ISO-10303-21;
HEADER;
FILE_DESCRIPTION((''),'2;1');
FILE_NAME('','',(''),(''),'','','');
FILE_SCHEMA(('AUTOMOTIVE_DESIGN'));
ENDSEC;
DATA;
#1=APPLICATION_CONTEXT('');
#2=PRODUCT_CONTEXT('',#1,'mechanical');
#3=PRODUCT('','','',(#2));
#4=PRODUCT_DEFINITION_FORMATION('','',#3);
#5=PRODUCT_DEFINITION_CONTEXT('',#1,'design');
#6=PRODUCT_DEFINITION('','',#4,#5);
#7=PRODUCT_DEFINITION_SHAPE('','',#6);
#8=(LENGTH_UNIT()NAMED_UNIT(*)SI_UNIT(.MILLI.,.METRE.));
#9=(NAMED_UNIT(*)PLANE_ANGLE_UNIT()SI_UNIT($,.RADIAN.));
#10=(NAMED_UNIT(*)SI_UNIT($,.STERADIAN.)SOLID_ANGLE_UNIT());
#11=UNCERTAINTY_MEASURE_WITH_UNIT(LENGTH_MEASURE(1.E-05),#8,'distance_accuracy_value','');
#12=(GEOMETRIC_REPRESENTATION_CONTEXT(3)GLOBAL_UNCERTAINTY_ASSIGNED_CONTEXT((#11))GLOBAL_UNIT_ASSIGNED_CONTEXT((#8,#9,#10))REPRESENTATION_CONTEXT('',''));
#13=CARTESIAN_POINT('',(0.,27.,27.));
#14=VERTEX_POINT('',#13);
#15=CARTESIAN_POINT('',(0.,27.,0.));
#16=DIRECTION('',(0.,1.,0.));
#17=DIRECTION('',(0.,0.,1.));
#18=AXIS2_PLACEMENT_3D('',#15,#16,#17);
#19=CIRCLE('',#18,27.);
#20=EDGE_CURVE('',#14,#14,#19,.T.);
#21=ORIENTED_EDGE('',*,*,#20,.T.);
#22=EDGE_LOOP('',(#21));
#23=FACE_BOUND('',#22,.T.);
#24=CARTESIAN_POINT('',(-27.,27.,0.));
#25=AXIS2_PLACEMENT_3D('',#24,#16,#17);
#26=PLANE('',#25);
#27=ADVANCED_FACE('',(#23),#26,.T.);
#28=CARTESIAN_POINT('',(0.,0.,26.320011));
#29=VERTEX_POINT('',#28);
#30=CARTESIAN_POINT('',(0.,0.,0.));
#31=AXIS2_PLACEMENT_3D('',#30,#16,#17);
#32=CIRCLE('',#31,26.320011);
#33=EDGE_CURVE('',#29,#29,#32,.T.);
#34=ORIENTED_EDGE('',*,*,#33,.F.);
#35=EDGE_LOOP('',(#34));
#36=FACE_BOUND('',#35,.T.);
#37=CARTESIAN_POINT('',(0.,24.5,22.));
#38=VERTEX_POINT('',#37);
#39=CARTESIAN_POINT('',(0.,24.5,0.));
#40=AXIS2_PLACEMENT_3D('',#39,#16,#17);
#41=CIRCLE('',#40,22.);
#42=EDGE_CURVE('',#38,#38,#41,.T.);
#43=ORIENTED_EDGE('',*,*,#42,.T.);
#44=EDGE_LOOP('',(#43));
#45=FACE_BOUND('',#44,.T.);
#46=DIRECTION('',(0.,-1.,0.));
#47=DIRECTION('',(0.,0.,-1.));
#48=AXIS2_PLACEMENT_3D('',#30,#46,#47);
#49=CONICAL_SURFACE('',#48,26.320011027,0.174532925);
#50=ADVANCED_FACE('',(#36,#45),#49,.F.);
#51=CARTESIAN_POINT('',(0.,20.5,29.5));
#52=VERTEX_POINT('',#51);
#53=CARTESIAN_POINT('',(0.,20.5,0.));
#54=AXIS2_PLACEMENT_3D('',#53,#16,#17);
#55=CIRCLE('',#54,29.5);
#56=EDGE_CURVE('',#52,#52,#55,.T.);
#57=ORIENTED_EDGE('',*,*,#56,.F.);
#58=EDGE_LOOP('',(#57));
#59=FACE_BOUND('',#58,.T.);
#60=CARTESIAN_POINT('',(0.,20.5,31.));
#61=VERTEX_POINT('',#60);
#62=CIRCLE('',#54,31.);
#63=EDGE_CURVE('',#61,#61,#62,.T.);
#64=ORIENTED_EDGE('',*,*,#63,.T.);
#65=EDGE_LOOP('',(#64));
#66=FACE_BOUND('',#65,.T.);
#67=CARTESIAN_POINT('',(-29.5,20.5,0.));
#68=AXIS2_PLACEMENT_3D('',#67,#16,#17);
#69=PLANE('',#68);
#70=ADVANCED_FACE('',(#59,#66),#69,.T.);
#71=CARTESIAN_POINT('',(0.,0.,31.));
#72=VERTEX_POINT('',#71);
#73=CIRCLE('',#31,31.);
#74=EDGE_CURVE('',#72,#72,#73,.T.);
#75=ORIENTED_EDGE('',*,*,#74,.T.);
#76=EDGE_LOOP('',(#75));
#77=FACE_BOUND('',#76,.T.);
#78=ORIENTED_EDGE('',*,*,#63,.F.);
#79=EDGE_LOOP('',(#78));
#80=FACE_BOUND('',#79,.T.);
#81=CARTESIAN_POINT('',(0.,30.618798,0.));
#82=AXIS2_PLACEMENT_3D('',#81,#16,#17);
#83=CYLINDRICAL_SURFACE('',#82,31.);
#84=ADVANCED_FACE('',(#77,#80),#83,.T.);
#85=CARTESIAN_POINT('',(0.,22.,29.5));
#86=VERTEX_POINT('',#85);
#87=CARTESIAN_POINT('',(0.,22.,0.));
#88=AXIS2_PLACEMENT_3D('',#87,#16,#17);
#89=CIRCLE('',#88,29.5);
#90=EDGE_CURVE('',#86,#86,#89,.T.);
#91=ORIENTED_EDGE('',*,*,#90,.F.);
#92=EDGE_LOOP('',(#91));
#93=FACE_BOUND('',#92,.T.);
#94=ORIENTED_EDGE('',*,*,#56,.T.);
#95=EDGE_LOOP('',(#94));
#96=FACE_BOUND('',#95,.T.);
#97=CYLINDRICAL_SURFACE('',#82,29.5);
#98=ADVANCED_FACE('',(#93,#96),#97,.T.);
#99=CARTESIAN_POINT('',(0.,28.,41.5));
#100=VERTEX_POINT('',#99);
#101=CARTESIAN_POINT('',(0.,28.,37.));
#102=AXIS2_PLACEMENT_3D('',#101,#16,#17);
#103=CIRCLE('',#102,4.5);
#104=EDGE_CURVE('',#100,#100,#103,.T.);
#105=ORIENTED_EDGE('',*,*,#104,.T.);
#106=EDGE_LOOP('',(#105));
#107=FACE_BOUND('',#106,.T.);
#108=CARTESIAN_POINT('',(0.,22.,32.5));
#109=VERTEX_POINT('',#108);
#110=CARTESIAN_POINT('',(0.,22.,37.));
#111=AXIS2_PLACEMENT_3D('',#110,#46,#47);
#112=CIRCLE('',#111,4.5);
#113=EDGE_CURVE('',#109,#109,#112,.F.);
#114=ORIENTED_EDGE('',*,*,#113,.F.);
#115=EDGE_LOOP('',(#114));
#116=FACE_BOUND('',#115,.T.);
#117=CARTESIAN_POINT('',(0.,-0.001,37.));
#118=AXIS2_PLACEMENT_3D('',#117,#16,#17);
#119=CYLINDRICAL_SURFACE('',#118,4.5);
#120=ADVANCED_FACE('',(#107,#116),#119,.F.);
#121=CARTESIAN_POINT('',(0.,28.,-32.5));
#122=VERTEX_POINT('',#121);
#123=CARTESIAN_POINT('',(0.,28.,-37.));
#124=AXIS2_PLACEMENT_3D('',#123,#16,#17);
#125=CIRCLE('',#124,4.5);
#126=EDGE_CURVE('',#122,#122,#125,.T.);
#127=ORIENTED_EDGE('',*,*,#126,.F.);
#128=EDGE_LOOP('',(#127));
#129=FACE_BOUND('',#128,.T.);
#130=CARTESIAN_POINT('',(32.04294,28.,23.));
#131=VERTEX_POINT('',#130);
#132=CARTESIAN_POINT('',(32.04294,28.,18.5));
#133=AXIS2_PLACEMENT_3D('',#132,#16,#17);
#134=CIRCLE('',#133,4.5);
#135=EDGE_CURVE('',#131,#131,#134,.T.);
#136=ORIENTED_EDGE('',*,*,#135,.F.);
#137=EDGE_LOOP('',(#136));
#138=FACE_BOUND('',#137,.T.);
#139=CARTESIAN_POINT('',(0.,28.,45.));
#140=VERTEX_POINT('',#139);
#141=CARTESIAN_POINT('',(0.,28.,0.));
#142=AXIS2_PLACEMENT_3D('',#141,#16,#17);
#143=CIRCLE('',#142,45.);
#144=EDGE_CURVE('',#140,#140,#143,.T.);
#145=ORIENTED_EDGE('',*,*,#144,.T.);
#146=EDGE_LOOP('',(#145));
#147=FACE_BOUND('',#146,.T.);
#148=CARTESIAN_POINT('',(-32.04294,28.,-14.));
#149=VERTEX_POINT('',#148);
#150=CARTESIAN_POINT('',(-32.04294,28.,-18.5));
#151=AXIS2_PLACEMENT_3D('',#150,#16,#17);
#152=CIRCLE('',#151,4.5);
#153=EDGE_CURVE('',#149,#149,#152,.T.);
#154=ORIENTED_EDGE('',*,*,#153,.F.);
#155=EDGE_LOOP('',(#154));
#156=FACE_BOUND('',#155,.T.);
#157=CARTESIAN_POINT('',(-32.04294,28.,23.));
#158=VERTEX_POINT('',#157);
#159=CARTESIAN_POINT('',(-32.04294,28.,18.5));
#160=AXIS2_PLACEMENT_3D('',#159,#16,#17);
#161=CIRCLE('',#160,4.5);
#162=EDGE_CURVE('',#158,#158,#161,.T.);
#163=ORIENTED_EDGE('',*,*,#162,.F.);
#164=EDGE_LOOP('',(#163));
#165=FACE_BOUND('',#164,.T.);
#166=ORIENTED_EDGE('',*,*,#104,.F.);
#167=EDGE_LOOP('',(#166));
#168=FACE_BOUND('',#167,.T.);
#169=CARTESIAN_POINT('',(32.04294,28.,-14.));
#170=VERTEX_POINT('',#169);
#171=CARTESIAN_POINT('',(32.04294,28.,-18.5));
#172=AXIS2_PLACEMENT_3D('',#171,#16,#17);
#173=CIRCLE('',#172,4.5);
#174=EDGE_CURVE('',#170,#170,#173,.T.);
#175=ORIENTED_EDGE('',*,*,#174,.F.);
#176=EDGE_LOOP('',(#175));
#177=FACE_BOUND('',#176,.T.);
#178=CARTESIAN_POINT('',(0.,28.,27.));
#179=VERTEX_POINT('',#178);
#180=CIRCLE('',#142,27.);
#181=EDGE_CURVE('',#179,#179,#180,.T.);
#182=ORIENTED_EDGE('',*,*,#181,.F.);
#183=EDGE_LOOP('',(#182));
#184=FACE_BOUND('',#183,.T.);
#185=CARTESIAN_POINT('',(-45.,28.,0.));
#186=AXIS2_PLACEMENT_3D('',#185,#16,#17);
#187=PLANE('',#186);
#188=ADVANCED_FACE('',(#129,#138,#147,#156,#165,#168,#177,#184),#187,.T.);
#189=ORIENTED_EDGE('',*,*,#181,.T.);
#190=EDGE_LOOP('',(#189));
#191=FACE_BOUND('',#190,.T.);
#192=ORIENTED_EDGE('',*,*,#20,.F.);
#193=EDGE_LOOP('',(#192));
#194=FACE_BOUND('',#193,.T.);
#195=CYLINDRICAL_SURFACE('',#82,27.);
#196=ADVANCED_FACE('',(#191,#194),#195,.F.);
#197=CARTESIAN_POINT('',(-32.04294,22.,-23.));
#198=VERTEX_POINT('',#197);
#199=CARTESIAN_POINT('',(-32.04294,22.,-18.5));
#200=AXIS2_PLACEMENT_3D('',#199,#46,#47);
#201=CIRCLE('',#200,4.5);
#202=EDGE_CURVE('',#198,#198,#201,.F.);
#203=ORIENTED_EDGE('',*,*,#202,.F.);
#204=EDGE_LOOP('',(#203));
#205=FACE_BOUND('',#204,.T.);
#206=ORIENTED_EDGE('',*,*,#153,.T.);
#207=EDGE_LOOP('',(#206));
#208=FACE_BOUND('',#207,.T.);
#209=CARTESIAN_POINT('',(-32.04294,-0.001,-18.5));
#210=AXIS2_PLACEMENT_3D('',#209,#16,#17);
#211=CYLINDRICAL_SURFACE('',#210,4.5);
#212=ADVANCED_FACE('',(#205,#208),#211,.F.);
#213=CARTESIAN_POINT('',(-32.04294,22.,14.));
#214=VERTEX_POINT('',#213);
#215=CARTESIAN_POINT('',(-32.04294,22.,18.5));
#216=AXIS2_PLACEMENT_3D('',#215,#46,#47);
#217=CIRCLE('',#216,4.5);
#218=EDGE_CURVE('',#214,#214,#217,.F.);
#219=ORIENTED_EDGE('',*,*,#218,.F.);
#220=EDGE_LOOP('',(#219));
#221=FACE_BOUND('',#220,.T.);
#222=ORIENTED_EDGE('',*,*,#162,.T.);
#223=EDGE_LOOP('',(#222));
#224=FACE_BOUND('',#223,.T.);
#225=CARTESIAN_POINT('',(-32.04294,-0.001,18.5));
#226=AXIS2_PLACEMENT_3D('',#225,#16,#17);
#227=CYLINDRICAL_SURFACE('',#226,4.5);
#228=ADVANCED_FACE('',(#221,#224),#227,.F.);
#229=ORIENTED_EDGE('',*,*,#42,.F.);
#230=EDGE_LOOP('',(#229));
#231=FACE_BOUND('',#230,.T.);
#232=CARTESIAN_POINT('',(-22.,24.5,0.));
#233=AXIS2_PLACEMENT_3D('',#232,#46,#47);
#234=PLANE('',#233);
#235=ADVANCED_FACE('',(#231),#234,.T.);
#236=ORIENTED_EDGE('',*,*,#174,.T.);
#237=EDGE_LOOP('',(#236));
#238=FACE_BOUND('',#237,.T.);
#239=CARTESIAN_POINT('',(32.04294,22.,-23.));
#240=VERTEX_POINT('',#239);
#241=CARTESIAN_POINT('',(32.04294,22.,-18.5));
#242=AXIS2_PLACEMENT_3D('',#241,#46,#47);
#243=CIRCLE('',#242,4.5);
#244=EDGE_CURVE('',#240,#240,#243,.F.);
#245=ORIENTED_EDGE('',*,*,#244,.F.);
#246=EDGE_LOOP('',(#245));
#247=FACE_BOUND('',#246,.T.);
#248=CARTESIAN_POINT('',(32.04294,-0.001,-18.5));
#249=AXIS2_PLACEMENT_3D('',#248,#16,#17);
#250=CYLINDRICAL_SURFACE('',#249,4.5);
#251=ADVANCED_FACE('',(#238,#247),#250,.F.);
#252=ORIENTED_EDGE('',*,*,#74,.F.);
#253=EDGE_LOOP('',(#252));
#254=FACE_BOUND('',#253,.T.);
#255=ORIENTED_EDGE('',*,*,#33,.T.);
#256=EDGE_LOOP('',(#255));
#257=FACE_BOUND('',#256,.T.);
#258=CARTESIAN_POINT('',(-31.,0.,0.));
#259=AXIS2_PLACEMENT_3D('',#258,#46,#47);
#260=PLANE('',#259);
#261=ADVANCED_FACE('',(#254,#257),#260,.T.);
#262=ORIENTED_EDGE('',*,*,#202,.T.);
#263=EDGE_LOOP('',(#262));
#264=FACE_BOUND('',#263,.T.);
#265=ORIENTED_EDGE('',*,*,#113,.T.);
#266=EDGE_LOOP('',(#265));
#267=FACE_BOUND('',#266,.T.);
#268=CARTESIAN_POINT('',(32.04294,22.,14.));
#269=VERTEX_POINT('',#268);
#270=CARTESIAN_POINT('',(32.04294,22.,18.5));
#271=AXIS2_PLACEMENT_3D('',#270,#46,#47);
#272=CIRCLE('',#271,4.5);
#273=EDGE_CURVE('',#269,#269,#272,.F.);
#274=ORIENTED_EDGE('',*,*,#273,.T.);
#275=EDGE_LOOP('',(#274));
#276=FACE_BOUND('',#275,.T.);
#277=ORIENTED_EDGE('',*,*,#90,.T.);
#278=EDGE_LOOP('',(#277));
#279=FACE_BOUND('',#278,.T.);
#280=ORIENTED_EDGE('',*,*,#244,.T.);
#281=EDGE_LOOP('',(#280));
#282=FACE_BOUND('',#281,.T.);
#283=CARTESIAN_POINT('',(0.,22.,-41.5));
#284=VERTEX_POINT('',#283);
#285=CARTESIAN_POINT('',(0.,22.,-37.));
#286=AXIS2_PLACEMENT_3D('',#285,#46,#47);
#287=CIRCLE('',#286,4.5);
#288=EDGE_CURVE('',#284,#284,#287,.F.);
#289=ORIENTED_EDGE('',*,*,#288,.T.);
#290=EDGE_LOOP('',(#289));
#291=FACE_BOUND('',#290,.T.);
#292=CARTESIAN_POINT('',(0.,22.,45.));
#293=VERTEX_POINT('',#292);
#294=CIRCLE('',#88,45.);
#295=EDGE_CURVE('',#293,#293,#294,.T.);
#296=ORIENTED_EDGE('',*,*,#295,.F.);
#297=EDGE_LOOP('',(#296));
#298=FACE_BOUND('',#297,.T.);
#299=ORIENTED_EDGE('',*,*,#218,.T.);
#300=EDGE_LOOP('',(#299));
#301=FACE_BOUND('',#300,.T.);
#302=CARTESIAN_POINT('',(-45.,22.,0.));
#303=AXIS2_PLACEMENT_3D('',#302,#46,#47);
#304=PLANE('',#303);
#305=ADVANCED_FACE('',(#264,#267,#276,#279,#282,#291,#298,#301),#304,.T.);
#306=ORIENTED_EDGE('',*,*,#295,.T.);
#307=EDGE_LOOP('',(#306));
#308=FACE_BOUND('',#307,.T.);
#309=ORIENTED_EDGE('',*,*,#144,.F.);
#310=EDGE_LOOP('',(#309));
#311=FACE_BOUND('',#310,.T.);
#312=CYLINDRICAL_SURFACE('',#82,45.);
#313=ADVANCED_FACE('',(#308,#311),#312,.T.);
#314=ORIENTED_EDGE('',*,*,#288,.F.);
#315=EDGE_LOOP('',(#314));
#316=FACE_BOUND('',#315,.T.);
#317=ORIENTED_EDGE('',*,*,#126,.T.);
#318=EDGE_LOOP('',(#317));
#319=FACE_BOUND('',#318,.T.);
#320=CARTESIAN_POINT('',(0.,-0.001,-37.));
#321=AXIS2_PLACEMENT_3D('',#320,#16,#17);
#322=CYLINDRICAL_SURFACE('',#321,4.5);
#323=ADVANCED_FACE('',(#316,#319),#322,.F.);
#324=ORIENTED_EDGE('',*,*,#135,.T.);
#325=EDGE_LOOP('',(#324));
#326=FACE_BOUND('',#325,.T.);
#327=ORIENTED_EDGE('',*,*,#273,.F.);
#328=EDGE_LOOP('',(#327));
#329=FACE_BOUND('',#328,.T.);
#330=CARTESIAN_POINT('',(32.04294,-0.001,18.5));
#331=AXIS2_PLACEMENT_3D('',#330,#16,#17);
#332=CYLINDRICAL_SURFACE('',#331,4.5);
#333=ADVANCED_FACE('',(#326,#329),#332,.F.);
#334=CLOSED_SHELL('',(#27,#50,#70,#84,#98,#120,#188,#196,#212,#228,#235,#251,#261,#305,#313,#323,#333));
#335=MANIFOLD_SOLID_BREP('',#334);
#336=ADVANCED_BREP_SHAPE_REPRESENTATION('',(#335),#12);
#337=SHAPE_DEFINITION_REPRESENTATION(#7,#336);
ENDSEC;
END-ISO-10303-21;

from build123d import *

# Parameters (mm, degrees)
CUT_EXTRUDE1_REACH = 71.527
SKETCH2_R          = 4.5


with BuildPart() as part:
    # Sketch1 → Revolve1 (revolve)
    with BuildSketch(Plane.XY, mode=Mode.PRIVATE) as revolve1_sk:
        Polygon((-45, 28), (-45, 22), (-29.5, 22), (-29.5, 20.5), (-31, 20.5), (-31, 0), (-26.320011027, 0), (-22, 24.5), (0, 24.5), (0, 27), (-27, 27), (-27, 28), align=None)
    revolve(revolve1_sk.sketch.rotate(Axis((0, 30.618797564, 0), (0, -1, 0)), 270), axis=Axis((0, 30.618797564, 0), (0, -1, 0)))

    # Sketch2 → Cut-Extrude1 (cut, up to next)
    with BuildSketch(Plane(origin=(0, 28, 0), x_dir=(1, 0, 0), z_dir=(0, 1, 0)), mode=Mode.PRIVATE) as cut_extrude1_sk1:
        with Locations(Location((0, 37, 0), (0, 0, 270))):
            Circle(SKETCH2_R)
    cut_extrude1_tool1 = extrude(cut_extrude1_sk1.sketch, amount=-CUT_EXTRUDE1_REACH, mode=Mode.PRIVATE) & part.part
    # Sketch2 → Cut-Extrude1 (cut, up to next)
    with BuildSketch(Plane(origin=(0, 28, 0), x_dir=(1, 0, 0), z_dir=(0, 1, 0)), mode=Mode.PRIVATE) as cut_extrude1_sk2:
        with Locations(Location((32.04293994, 18.5, 0), (0, 0, 270))):
            Circle(SKETCH2_R)
    cut_extrude1_tool2 = extrude(cut_extrude1_sk2.sketch, amount=-CUT_EXTRUDE1_REACH, mode=Mode.PRIVATE) & part.part
    # Sketch2 → Cut-Extrude1 (cut, up to next)
    with BuildSketch(Plane(origin=(0, 28, 0), x_dir=(1, 0, 0), z_dir=(0, 1, 0)), mode=Mode.PRIVATE) as cut_extrude1_sk3:
        with Locations(Location((32.04293994, -18.5, 0), (0, 0, 270))):
            Circle(SKETCH2_R)
    cut_extrude1_tool3 = extrude(cut_extrude1_sk3.sketch, amount=-CUT_EXTRUDE1_REACH, mode=Mode.PRIVATE) & part.part
    # Sketch2 → Cut-Extrude1 (cut, up to next)
    with BuildSketch(Plane(origin=(0, 28, 0), x_dir=(1, 0, 0), z_dir=(0, 1, 0)), mode=Mode.PRIVATE) as cut_extrude1_sk4:
        with Locations(Location((0, -37, 0), (0, 0, 270))):
            Circle(SKETCH2_R)
    cut_extrude1_tool4 = extrude(cut_extrude1_sk4.sketch, amount=-CUT_EXTRUDE1_REACH, mode=Mode.PRIVATE) & part.part
    # Sketch2 → Cut-Extrude1 (cut, up to next)
    with BuildSketch(Plane(origin=(0, 28, 0), x_dir=(1, 0, 0), z_dir=(0, 1, 0)), mode=Mode.PRIVATE) as cut_extrude1_sk5:
        with Locations(Location((-32.04293994, -18.5, 0), (0, 0, 270))):
            Circle(SKETCH2_R)
    cut_extrude1_tool5 = extrude(cut_extrude1_sk5.sketch, amount=-CUT_EXTRUDE1_REACH, mode=Mode.PRIVATE) & part.part
    # Sketch2 → Cut-Extrude1 (cut, up to next)
    with BuildSketch(Plane(origin=(0, 28, 0), x_dir=(1, 0, 0), z_dir=(0, 1, 0)), mode=Mode.PRIVATE) as cut_extrude1_sk6:
        with Locations(Location((-32.04293994, 18.5, 0), (0, 0, 270))):
            Circle(SKETCH2_R)
    cut_extrude1_tool6 = extrude(cut_extrude1_sk6.sketch, amount=-CUT_EXTRUDE1_REACH, mode=Mode.PRIVATE) & part.part
    add(cut_extrude1_tool1.solids().sort_by_distance((0, 28, -37))[0], mode=Mode.SUBTRACT)
    add(cut_extrude1_tool2.solids().sort_by_distance((32.04294, 28, -18.5))[0], mode=Mode.SUBTRACT)
    add(cut_extrude1_tool3.solids().sort_by_distance((32.04294, 28, 18.5))[0], mode=Mode.SUBTRACT)
    add(cut_extrude1_tool4.solids().sort_by_distance((0, 28, 37))[0], mode=Mode.SUBTRACT)
    add(cut_extrude1_tool5.solids().sort_by_distance((-32.04294, 28, 18.5))[0], mode=Mode.SUBTRACT)
    add(cut_extrude1_tool6.solids().sort_by_distance((-32.04294, 28, -18.5))[0], mode=Mode.SUBTRACT)


solid = part.part
